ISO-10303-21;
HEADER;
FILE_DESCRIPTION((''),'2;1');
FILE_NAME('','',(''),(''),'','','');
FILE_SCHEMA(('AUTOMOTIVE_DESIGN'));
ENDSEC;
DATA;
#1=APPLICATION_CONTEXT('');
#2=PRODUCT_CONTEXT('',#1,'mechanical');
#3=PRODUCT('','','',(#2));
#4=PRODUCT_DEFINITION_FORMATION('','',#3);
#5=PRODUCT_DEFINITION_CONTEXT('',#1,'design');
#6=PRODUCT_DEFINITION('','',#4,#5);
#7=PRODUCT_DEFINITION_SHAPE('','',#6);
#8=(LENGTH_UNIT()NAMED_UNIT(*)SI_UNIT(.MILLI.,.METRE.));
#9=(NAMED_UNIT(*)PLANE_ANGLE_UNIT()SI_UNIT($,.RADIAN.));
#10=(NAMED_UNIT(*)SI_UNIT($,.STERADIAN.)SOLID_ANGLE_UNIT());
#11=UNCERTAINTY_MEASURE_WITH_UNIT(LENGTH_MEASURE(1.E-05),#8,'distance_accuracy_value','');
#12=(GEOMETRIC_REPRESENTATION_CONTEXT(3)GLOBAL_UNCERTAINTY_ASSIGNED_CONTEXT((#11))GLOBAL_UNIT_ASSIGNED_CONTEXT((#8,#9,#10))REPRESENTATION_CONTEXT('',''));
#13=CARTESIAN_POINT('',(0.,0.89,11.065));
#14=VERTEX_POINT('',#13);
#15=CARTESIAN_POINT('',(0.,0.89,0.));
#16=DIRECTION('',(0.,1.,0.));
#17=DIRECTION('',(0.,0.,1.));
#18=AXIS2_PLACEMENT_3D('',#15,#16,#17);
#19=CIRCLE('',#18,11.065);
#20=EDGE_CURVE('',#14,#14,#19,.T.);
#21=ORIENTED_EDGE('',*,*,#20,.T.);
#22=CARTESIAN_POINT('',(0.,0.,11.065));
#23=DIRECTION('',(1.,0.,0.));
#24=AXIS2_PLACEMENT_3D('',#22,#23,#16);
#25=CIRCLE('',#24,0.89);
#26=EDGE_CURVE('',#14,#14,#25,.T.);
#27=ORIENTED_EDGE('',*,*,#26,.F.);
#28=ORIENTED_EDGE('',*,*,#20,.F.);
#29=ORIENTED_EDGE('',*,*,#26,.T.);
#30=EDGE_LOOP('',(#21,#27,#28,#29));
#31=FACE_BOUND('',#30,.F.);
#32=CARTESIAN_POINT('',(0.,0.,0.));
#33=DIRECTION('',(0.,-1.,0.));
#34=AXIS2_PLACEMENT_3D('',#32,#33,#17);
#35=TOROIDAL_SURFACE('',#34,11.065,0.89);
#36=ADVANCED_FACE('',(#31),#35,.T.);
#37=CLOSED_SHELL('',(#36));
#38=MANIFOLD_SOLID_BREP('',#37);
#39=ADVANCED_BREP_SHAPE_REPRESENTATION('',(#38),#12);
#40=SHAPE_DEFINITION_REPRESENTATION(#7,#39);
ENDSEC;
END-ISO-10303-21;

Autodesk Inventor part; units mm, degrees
ref_plane "YZ Plane" through (0, 0, 0) normal (1, 0, 0) x (0, 1, 0)
ref_plane "XZ Plane" through (0, 0, 0) normal (0, 1, 0) x (-1, 0, 0)
ref_plane "XY Plane" through (0, 0, 0) normal (0, 0, 1) x (1, 0, 0)
sketch "Sketch1" plane through (0, 0, 0) normal (1, 0, 0) x (0, 1, 0)
  circle A0 centre (0, 11.065) radius 0.89
  line L0 (0, 0) -> (2.4582, 0)
  dimension "d0" = 1.78
  dimension "d1" = 11.065
revolve "Revolution1" add sketch "Sketch1" angle 360 about axis through (0, 0, 0) along (0, 1, 0)
properties part number "Oring 2-019" material "Rubber"
